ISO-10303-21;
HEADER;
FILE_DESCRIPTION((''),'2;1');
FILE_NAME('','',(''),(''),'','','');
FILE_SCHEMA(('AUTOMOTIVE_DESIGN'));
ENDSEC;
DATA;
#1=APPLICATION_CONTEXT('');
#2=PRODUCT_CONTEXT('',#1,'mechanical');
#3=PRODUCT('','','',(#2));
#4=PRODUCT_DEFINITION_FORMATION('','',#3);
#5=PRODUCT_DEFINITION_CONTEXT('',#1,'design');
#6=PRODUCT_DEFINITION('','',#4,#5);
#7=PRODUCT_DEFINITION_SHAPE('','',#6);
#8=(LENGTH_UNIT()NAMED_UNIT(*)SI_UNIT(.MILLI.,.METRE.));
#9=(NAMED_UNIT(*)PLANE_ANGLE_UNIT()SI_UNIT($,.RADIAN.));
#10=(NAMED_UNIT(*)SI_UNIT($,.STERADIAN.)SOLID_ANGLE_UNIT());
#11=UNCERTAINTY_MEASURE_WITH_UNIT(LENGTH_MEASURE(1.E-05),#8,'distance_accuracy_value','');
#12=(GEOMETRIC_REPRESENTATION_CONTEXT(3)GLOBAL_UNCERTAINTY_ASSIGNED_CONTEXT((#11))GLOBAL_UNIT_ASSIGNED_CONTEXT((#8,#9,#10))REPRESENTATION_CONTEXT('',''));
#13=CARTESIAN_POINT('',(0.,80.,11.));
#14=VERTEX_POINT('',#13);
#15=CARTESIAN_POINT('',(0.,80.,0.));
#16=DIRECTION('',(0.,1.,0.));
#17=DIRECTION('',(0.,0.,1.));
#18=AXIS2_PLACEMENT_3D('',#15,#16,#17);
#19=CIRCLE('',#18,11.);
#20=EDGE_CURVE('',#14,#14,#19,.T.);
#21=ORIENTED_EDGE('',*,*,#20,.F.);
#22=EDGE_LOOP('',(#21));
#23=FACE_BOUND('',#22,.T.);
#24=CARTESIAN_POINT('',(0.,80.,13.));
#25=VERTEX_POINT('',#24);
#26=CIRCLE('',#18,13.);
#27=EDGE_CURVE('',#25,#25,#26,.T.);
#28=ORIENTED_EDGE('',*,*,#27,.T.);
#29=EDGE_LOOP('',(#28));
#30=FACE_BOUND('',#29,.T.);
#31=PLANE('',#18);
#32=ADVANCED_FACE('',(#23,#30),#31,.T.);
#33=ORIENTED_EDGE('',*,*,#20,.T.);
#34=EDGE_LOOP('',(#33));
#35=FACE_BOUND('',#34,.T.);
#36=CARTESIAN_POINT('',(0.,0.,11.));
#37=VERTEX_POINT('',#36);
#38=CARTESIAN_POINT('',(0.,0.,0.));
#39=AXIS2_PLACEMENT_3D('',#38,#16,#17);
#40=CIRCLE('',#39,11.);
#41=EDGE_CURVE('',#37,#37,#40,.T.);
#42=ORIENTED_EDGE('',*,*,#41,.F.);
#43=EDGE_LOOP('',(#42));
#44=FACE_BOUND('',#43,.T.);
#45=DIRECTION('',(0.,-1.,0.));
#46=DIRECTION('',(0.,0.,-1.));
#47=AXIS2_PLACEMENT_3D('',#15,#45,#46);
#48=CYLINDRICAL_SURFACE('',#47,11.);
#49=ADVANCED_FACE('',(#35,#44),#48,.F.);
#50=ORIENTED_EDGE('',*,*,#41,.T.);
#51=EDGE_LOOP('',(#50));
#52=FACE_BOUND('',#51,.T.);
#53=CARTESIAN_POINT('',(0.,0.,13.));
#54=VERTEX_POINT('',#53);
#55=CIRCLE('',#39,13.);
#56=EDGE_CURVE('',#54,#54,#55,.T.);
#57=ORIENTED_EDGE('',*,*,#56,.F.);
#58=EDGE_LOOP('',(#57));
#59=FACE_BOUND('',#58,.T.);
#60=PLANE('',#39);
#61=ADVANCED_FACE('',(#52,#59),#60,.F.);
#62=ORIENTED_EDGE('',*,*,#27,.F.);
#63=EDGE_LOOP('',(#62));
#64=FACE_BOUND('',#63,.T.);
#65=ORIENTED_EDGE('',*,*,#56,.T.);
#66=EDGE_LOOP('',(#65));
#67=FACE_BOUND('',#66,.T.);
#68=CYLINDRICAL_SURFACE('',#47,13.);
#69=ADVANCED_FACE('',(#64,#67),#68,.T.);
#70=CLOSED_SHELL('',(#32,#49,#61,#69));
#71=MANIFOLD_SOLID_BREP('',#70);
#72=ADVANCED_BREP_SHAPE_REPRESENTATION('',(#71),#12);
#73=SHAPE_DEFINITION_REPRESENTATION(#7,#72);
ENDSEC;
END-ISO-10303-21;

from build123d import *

# Parameters (mm, degrees)
ESQUISSE1_R        = 13
ESQUISSE1_R_2      = 11
BOSS_EXTRU_1_DEPTH = 80


with BuildPart() as part:
    # Esquisse1 → Boss.-Extru.1 (new body)
    with BuildSketch(Plane(origin=(0, 0, 0), x_dir=(1, 0, 0), z_dir=(0, 1, 0))):
        Circle(ESQUISSE1_R)
        Circle(ESQUISSE1_R_2, mode=Mode.SUBTRACT)
    extrude(amount=BOSS_EXTRU_1_DEPTH)


solid = part.part
